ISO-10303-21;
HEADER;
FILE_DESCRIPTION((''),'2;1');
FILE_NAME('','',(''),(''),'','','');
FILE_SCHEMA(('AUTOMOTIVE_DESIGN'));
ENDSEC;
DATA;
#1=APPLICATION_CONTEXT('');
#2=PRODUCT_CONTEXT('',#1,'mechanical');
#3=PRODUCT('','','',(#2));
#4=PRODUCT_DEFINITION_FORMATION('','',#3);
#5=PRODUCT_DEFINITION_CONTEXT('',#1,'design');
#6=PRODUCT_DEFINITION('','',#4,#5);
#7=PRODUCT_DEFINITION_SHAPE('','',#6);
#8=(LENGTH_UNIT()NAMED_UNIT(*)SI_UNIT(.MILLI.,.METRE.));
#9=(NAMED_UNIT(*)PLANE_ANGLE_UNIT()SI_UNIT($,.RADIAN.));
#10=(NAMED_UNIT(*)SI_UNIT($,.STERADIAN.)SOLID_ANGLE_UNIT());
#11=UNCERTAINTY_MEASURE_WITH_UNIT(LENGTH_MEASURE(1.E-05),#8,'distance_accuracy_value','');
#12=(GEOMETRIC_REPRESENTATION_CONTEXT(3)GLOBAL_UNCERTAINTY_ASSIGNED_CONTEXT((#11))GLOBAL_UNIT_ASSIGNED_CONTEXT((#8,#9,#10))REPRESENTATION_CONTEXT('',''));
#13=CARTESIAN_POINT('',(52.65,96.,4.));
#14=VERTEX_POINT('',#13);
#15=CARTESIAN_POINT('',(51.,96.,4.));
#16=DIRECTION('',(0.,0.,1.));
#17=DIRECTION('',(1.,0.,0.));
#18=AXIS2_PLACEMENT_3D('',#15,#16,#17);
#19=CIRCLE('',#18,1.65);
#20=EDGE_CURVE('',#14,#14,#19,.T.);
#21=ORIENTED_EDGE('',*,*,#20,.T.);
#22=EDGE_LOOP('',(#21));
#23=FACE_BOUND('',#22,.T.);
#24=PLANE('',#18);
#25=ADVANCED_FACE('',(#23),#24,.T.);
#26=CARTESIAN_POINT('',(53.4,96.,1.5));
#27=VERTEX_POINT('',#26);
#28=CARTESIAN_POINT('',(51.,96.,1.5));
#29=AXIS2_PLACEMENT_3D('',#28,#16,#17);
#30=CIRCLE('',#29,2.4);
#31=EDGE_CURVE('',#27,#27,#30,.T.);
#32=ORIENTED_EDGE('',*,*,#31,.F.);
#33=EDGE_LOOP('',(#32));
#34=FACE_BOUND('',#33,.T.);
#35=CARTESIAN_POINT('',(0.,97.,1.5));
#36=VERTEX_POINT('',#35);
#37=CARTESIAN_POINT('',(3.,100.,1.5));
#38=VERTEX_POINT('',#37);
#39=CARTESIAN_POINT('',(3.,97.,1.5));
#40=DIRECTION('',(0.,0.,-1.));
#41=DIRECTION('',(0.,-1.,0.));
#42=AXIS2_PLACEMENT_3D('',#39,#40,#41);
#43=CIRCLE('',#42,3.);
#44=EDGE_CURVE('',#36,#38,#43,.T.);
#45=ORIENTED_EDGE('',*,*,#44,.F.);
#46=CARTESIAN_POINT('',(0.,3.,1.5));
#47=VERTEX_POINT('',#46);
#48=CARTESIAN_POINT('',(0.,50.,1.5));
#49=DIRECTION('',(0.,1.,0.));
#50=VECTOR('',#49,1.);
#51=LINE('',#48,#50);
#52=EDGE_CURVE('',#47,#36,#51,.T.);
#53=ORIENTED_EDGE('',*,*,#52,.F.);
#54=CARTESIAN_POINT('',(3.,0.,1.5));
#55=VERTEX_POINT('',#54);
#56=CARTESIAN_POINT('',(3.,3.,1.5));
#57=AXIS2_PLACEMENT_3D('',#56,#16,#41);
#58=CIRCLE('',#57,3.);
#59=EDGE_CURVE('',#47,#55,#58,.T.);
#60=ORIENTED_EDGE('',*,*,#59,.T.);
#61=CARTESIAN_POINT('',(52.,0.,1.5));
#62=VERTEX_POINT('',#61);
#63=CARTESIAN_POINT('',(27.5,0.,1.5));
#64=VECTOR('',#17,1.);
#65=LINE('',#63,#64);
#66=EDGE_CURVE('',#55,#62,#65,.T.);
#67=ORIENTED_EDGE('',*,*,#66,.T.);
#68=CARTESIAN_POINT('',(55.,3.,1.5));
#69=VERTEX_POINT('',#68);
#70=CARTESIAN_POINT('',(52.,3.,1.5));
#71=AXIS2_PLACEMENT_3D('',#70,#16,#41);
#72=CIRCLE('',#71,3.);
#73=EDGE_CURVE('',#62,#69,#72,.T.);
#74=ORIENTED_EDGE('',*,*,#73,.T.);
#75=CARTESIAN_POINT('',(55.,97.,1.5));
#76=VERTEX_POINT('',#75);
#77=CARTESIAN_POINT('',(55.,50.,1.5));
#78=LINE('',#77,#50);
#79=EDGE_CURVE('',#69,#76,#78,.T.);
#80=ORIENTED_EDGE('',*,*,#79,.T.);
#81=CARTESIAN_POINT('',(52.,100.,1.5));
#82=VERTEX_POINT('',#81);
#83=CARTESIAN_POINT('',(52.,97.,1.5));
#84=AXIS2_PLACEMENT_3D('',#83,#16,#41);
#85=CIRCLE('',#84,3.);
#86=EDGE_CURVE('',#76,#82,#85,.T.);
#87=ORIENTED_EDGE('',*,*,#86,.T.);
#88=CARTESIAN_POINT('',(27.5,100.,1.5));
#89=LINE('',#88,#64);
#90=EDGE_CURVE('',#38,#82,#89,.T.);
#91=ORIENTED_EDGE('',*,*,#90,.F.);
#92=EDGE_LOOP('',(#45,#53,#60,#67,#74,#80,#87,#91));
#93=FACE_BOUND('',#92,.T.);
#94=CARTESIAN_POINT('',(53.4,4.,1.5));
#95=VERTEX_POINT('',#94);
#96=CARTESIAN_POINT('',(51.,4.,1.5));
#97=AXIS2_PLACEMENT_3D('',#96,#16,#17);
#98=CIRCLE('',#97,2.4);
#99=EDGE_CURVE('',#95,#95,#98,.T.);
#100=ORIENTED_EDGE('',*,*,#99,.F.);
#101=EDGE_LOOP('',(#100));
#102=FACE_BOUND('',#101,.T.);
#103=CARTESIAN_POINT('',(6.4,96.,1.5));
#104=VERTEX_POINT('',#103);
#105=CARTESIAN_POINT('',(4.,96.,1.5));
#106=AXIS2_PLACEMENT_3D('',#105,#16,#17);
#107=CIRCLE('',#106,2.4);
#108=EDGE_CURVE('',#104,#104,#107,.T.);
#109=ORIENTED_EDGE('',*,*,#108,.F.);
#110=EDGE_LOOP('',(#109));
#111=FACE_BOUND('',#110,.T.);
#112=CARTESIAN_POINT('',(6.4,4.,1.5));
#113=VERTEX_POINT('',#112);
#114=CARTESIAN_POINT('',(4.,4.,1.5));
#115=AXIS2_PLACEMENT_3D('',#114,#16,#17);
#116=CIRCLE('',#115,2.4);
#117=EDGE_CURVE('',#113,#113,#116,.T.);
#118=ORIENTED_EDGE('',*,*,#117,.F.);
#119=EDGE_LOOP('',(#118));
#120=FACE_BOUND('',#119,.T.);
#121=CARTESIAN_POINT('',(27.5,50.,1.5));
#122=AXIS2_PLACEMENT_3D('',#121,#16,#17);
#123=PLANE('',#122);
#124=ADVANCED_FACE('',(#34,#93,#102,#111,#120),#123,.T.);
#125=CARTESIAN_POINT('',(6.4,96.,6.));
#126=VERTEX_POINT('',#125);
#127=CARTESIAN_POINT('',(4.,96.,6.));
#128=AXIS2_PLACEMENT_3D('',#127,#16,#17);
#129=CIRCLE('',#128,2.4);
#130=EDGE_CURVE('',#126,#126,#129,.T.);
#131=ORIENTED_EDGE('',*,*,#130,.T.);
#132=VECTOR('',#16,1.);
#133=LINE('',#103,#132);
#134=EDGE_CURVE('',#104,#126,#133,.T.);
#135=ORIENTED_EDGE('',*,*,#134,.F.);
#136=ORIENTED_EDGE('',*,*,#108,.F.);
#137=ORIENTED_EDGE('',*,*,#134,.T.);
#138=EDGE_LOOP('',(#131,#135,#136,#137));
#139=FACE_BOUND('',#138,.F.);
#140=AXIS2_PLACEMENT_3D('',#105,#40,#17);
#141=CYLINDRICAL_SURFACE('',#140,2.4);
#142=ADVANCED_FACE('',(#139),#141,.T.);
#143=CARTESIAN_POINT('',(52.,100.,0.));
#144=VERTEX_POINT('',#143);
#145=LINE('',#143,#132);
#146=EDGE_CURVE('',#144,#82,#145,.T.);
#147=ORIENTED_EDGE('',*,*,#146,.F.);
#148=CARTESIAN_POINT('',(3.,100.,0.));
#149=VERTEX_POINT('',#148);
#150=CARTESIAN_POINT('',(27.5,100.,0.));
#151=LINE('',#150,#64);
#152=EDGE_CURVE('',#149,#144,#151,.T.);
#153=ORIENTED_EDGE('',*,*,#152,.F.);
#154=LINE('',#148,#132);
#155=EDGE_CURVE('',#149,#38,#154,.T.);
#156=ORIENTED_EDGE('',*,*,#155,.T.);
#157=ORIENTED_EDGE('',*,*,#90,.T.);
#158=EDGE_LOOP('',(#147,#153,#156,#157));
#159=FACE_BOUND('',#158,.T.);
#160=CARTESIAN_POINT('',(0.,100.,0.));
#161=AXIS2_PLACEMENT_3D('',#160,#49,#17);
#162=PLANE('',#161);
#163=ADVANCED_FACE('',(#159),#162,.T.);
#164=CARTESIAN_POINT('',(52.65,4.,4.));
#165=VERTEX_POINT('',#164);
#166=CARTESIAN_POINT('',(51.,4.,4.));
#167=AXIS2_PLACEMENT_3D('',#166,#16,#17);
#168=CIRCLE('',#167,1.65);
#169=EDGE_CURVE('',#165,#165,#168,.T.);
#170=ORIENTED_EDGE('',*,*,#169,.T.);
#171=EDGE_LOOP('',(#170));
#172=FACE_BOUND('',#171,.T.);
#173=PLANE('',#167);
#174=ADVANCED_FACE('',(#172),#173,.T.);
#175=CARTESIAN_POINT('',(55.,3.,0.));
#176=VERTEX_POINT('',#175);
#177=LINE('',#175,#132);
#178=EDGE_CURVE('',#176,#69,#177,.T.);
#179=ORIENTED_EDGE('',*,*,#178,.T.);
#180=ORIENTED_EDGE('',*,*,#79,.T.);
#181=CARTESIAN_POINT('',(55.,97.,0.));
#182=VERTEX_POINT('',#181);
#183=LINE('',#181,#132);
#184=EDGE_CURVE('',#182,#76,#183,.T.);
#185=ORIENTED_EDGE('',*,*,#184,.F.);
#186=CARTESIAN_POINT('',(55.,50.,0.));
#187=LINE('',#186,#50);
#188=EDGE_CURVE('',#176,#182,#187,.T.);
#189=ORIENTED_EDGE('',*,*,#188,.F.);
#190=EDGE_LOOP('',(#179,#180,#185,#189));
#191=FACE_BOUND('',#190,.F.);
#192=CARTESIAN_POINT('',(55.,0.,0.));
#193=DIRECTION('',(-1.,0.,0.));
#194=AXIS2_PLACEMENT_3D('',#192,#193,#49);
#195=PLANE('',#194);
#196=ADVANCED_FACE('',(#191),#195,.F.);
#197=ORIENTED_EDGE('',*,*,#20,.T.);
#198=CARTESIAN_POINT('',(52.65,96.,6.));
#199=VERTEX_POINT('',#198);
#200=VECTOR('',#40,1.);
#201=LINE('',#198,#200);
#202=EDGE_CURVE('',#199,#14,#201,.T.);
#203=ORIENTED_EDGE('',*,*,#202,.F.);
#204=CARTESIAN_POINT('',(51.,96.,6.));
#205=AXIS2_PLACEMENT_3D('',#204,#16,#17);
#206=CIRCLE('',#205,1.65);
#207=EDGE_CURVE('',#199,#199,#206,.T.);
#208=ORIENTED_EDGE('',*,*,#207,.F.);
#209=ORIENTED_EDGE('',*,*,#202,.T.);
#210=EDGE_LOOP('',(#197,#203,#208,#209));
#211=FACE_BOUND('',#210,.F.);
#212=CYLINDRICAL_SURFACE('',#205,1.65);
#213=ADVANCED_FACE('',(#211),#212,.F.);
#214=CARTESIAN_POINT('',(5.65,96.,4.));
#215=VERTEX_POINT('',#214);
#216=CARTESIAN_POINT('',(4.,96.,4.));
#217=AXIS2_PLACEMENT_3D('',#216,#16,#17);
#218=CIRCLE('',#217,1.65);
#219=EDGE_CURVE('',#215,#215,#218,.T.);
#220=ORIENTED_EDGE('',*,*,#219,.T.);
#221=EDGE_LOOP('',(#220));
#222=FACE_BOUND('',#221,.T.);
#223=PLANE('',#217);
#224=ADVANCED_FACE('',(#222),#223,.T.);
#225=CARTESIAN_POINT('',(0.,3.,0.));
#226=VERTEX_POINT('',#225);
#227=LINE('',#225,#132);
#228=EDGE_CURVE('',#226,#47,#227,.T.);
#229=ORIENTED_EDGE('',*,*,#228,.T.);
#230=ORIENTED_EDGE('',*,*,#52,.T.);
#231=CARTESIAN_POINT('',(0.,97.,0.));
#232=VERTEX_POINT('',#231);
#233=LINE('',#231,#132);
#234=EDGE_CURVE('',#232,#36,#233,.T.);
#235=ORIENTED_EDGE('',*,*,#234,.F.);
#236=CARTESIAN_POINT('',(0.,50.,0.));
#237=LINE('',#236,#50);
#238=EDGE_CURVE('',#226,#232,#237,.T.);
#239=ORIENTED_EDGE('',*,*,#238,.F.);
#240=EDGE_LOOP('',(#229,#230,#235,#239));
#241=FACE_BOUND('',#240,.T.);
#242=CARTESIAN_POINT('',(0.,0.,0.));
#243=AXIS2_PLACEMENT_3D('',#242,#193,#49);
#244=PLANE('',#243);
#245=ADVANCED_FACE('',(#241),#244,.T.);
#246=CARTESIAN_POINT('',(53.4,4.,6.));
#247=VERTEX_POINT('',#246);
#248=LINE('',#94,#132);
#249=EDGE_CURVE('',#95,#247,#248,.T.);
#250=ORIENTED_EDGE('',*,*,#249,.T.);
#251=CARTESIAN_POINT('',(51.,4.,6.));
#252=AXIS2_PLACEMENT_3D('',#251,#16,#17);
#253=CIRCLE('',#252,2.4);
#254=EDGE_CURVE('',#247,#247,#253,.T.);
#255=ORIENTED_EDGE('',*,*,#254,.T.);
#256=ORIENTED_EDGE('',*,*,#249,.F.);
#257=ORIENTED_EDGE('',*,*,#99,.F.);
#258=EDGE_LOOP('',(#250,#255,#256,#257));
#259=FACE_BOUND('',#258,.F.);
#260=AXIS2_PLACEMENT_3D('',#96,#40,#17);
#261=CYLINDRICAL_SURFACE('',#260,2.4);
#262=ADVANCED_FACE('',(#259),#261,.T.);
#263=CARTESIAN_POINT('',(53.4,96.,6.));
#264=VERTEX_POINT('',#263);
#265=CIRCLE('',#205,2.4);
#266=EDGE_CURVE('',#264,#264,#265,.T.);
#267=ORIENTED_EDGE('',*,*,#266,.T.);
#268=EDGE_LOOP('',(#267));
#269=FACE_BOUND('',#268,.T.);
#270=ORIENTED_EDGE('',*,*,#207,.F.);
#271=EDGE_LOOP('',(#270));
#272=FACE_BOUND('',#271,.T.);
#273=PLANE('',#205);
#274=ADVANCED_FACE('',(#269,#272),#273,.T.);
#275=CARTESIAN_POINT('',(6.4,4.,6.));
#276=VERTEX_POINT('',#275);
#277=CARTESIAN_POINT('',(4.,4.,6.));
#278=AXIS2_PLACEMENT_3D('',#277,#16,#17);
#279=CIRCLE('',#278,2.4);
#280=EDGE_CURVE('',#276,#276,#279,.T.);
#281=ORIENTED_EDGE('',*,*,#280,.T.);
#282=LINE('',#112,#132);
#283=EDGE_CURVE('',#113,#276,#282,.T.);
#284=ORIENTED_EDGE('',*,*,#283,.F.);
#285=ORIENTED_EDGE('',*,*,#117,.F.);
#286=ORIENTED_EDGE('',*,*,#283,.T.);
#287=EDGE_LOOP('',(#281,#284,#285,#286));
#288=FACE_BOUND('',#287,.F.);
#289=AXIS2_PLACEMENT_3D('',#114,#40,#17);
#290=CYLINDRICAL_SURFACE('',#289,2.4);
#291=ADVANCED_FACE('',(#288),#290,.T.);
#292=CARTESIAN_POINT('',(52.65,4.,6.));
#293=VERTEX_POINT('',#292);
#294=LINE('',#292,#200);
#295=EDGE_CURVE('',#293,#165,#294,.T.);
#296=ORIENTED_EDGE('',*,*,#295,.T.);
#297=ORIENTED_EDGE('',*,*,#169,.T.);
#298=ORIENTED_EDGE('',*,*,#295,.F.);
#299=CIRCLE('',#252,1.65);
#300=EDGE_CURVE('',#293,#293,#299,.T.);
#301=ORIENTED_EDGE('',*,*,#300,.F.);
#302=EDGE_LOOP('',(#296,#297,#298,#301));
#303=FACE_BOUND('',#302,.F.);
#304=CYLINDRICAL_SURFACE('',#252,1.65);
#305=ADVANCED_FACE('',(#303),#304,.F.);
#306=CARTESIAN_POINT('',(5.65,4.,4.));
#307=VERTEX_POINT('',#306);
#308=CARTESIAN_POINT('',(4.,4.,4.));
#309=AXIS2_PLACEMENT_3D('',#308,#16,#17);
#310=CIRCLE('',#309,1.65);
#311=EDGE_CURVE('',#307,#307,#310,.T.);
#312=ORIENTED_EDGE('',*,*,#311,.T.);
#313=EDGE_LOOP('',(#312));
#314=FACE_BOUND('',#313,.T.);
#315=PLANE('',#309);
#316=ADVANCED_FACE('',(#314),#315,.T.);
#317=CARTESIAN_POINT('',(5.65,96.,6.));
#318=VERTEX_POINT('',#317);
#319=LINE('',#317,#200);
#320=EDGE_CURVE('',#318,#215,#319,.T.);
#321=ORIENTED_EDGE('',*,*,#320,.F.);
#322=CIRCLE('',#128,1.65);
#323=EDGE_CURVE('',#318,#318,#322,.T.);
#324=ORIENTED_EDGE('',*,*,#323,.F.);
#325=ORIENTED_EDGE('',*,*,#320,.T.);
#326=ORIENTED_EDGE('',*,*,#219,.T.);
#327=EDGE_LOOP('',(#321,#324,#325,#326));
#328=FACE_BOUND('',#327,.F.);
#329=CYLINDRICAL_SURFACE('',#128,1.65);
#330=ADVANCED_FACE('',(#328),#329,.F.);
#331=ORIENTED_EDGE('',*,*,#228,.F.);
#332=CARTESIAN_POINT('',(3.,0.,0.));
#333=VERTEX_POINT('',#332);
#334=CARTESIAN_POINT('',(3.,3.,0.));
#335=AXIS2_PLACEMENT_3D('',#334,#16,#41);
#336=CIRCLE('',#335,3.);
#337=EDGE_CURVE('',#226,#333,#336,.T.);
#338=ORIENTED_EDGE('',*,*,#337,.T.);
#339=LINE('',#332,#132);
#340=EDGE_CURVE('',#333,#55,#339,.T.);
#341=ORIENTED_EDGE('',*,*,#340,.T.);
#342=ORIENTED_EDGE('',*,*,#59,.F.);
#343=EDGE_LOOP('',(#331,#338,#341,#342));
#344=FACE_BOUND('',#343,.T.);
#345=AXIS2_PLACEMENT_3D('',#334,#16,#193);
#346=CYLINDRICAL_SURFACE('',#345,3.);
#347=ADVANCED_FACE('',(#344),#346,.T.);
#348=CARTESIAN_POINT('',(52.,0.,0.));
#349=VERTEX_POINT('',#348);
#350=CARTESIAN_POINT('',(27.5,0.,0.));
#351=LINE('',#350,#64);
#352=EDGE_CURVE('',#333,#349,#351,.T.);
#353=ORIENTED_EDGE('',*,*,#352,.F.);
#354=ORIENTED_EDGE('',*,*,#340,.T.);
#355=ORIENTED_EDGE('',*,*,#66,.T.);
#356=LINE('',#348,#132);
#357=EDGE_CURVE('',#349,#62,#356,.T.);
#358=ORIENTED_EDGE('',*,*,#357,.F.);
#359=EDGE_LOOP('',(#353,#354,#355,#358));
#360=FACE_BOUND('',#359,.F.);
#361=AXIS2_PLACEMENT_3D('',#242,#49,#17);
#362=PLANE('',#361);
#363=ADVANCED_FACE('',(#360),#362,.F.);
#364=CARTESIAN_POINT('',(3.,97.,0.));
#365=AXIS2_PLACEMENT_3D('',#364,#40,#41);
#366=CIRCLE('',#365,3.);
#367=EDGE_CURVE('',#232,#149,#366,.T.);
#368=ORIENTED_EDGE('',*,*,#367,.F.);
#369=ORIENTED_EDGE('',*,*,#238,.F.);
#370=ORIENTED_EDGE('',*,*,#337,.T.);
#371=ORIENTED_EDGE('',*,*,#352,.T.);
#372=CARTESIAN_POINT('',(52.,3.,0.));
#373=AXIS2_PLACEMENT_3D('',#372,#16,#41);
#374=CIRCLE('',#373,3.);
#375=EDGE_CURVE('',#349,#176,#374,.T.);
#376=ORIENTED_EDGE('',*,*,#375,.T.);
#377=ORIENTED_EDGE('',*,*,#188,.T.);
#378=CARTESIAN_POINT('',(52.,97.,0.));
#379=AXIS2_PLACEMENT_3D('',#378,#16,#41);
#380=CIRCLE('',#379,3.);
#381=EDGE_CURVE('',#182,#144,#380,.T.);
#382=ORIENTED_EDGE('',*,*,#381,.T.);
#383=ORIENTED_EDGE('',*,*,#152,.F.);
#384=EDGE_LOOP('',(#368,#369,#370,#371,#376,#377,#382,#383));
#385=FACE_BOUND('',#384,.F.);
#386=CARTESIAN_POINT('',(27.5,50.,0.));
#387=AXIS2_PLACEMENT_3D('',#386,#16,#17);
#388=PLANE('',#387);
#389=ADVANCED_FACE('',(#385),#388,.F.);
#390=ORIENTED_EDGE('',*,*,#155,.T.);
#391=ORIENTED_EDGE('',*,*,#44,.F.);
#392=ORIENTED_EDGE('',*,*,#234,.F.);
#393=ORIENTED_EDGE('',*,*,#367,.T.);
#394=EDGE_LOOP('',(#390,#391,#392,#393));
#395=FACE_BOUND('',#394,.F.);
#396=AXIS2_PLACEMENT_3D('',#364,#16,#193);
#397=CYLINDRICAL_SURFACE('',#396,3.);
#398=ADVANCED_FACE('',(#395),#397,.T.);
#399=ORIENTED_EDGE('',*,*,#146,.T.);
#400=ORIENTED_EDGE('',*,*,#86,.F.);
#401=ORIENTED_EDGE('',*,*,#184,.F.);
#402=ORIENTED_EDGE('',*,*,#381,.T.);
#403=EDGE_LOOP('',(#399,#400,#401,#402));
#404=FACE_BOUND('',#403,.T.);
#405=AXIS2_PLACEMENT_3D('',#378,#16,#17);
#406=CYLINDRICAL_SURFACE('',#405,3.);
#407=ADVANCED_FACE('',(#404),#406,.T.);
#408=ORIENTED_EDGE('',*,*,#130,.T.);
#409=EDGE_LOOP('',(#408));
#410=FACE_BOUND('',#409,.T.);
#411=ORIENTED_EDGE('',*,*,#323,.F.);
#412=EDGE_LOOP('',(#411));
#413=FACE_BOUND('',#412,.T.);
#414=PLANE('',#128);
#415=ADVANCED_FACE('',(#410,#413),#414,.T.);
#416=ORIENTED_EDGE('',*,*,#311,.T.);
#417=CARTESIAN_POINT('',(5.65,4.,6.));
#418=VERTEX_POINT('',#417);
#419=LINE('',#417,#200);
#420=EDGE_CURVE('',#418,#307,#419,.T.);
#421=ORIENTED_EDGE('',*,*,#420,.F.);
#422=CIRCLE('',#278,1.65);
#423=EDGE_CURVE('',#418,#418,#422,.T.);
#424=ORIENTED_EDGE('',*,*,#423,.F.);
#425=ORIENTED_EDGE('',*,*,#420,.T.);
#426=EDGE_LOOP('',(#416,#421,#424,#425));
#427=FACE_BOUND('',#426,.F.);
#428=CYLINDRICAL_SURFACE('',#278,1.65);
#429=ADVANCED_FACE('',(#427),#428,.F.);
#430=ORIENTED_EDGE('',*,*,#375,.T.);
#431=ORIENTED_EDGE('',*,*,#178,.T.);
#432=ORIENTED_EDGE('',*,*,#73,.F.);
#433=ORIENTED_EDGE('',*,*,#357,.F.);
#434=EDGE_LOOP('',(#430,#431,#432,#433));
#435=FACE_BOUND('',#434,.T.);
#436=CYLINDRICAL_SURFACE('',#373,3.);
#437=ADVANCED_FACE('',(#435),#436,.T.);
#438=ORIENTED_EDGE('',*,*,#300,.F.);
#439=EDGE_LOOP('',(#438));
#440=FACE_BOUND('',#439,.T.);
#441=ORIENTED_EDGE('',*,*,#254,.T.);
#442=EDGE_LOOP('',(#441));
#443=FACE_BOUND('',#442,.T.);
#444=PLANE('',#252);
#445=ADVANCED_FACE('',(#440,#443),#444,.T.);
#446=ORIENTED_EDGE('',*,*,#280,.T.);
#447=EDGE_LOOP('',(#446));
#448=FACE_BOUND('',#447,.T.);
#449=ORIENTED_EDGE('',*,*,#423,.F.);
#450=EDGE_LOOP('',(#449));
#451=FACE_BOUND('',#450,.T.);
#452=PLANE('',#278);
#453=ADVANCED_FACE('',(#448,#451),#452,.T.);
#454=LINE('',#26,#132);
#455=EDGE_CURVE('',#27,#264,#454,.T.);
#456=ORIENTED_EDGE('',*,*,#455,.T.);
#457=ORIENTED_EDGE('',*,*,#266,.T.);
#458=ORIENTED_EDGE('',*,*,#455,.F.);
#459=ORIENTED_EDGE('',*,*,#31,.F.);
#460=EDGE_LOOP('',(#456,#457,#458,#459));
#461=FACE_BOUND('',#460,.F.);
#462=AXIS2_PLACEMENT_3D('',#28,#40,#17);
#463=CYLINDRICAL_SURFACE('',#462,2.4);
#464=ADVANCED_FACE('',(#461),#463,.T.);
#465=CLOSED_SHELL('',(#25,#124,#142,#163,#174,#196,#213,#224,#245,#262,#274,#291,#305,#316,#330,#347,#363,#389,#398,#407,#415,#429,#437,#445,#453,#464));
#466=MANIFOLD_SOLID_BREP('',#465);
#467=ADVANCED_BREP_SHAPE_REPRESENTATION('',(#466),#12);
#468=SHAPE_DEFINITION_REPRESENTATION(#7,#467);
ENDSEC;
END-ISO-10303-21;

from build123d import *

# Parameters (mm, degrees)
F0_W     = 55
F0_H     = 100
F1_DEPTH = 1.5
F2_R     = 3
F3_R     = 2.4
F4_DEPTH = 4.5
F5_R     = 1.65
F6_DEPTH = 2


with BuildPart() as f1:
    # F0 (on Top) → F1 (new body)
    with BuildSketch(Plane.XY):
        with Locations((27.5, 50)):
            Rectangle(F0_W, F0_H)
    extrude(amount=F1_DEPTH)

    # F2
    f2_edges = [f1.edges().sort_by_distance(p)[0] for p in [
        (0, 100, 0.75),
        (55, 100, 0.75),
        (0, 0, 0.75),
        (55, 0, 0.75),
    ]]
    fillet(f2_edges, radius=F2_R)

    # F3 (on face) → F4 (join)
    with BuildSketch(Plane.XY.offset(1.5)):
        with Locations((4, 96)):
            Circle(F3_R)
        with Locations((4, 4)):
            Circle(F3_R)
        with Locations((51, 96)):
            Circle(F3_R)
        with Locations((51, 4)):
            Circle(F3_R)
    extrude(amount=F4_DEPTH)

    # F5 (on face) → F6 (cut)
    with BuildSketch(Plane.XY.offset(6)):
        with Locations((4, 96)):
            Circle(F5_R)
        with Locations((4, 4)):
            Circle(F5_R)
        with Locations((51, 96)):
            Circle(F5_R)
        with Locations((51, 4)):
            Circle(F5_R)
    extrude(amount=-F6_DEPTH, mode=Mode.SUBTRACT)


solid = f1.part
